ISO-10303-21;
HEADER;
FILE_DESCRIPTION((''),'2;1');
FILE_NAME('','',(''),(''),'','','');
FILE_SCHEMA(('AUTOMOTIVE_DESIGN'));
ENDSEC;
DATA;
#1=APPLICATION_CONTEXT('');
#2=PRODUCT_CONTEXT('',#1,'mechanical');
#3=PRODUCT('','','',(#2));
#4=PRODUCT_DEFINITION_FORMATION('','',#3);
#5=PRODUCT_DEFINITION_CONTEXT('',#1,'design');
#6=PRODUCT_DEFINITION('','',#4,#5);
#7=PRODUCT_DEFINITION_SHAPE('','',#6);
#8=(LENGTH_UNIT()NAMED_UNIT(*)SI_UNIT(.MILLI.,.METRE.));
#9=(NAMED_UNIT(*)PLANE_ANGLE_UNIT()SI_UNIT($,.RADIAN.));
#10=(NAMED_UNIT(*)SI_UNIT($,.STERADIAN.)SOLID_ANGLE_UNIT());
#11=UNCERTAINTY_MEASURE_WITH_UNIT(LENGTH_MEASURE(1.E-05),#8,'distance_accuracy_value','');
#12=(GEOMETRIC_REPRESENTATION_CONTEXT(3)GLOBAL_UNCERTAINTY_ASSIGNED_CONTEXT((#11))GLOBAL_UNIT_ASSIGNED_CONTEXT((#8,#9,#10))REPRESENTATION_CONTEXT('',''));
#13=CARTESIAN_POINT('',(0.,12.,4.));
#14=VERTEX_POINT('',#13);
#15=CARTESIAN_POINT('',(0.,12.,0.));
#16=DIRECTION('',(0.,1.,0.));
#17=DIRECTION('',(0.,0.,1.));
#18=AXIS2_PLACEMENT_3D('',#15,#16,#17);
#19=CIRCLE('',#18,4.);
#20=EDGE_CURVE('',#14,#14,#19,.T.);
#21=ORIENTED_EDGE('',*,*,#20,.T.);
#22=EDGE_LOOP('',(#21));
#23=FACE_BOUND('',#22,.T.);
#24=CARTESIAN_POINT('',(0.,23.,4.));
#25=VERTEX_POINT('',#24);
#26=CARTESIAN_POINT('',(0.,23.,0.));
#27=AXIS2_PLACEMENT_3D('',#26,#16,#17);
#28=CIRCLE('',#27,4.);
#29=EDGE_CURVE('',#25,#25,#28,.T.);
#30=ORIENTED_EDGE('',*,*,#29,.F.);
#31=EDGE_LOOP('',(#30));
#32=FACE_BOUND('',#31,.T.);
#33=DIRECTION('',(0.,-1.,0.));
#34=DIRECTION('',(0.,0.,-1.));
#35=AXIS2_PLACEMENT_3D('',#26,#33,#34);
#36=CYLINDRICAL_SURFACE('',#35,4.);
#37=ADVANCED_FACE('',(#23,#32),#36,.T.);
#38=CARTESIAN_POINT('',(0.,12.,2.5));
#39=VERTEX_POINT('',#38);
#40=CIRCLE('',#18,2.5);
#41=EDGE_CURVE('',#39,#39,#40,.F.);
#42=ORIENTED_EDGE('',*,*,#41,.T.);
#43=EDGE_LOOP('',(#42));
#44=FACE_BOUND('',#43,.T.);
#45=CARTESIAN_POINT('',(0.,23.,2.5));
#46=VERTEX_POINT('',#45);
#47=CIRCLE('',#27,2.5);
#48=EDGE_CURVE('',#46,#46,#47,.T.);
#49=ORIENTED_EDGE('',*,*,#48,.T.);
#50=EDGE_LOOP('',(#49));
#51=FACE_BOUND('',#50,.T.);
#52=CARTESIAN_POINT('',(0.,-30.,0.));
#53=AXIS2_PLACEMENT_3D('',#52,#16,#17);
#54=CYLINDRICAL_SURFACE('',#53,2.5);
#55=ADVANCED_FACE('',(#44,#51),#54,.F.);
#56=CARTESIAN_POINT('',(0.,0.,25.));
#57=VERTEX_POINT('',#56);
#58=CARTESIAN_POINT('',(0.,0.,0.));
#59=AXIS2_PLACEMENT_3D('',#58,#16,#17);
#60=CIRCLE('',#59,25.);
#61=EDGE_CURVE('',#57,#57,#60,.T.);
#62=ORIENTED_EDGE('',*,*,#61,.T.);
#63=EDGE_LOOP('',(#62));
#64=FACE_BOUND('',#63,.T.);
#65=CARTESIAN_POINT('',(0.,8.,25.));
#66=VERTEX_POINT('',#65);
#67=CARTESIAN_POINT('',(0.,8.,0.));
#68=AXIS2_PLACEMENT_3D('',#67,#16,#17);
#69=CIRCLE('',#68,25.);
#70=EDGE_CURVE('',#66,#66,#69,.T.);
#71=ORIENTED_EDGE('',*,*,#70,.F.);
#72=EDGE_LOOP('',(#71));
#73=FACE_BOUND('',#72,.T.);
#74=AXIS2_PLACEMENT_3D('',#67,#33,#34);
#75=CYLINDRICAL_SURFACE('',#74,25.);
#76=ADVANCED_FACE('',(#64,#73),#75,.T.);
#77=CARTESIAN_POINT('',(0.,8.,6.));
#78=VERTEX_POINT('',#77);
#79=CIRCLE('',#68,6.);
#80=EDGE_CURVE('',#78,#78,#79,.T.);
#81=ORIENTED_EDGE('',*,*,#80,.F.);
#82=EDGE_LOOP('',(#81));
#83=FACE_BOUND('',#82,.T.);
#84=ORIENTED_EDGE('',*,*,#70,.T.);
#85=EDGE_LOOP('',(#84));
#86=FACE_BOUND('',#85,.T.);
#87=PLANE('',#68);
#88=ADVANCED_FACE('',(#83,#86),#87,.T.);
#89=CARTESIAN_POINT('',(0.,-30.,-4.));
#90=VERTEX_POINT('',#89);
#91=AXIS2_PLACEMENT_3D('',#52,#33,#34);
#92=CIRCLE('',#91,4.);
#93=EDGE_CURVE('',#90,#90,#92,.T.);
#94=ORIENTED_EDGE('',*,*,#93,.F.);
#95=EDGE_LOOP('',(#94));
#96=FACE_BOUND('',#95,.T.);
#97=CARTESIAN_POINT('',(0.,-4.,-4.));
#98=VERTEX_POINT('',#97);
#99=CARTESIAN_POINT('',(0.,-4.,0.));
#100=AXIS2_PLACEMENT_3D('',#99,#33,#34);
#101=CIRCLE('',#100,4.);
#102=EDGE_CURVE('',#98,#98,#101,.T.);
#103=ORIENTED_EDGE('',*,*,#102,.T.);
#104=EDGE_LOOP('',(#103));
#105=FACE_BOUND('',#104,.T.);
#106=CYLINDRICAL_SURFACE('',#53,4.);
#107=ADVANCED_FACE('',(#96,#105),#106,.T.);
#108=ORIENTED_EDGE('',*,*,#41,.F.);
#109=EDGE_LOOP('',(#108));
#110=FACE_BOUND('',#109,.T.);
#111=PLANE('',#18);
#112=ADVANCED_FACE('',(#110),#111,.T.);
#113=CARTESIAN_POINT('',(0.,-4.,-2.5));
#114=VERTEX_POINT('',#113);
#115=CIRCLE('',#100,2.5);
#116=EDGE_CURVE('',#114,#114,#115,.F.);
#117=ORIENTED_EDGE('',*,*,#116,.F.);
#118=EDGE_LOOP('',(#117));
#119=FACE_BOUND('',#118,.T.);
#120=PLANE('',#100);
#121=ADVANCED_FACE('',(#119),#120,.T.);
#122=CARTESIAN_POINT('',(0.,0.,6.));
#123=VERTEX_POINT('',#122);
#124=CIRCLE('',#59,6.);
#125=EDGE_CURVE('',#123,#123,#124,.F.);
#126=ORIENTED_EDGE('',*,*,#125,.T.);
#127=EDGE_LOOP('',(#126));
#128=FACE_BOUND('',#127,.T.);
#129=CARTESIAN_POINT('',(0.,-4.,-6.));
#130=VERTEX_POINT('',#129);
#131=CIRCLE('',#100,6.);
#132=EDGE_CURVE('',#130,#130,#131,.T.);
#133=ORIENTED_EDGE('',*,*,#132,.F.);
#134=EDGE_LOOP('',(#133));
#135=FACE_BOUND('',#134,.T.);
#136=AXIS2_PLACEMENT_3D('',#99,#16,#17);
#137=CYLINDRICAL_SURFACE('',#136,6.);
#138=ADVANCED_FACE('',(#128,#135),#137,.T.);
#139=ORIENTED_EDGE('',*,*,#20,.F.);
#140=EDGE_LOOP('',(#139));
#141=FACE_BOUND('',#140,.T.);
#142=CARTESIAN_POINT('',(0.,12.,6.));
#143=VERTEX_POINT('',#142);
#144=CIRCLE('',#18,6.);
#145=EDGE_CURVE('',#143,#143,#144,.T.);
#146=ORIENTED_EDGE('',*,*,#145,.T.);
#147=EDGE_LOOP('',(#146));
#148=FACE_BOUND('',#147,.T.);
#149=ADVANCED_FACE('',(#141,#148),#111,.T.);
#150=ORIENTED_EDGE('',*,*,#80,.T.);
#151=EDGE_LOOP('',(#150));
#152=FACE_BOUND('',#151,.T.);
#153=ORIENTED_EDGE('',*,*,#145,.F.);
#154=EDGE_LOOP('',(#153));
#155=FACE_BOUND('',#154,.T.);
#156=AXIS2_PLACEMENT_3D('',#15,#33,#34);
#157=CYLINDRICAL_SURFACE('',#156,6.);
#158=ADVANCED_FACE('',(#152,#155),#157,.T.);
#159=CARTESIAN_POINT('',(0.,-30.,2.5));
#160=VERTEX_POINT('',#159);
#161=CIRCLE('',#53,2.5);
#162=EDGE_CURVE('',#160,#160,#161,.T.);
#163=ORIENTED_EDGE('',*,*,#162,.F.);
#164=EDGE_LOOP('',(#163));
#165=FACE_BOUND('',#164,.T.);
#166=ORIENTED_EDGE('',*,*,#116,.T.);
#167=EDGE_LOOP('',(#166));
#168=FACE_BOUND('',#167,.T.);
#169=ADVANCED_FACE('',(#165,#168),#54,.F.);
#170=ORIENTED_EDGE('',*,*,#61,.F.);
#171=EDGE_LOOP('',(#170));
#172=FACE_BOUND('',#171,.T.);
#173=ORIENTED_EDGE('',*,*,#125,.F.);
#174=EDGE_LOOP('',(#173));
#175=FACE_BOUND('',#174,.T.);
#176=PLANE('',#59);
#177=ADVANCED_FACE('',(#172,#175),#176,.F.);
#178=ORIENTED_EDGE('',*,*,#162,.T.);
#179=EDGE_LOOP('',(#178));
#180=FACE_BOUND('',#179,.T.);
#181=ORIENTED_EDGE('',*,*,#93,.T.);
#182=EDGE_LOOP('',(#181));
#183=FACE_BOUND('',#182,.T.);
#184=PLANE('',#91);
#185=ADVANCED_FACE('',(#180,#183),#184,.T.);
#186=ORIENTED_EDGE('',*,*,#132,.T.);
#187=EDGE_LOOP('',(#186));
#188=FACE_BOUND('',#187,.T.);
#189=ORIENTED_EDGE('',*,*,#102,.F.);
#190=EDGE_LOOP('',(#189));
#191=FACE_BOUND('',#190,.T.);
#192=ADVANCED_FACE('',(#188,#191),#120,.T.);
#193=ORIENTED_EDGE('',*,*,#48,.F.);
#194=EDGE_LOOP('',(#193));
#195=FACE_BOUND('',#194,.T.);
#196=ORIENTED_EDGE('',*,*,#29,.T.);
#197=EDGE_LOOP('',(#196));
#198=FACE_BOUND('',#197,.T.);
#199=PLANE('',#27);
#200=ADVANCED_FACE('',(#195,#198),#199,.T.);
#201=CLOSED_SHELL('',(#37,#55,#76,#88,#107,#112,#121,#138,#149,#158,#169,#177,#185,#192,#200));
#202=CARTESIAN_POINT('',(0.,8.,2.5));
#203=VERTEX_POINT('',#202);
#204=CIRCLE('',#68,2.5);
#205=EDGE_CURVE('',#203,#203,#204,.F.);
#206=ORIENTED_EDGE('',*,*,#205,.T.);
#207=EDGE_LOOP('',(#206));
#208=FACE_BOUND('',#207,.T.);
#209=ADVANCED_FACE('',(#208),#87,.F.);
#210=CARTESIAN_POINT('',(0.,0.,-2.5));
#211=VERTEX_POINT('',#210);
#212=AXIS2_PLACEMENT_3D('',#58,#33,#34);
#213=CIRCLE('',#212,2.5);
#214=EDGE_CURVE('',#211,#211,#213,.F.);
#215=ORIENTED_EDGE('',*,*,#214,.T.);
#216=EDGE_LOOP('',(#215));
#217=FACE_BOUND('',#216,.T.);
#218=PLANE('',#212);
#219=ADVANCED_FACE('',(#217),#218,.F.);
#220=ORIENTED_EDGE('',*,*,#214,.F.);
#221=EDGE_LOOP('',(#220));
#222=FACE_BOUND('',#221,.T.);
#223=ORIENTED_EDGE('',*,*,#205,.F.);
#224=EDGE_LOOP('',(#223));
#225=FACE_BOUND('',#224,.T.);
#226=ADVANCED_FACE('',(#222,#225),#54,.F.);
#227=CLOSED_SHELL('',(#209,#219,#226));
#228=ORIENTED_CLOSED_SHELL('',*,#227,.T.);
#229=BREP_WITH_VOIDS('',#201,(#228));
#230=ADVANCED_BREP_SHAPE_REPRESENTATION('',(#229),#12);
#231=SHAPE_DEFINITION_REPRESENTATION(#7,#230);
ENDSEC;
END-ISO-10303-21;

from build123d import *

# Parameters (mm, degrees)
SKETCH1_R               = 25
BOSS_EXTRUDE1_DEPTH     = 8
SKETCH2_R               = 4
BOSS_EXTRUDE2_DEPTH     = 15
BOSS_EXTRUDE3_START     = 30
SKETCH3_R               = 4
BOSS_EXTRUDE3_DEPTH     = 30
CUT_EXTRUDE1_DEPTH      = 64.710281745
CUT_EXTRUDE1_DEPTH_BACK = 64.710281745
SKETCH4_R               = 2.5
SKETCH5_R               = 6
BOSS_EXTRUDE4_DEPTH     = 4
BOSS_EXTRUDE5_START     = 4
SKETCH6_R               = 6
BOSS_EXTRUDE5_DEPTH     = 4


with BuildPart() as part:
    # Sketch1 → Boss-Extrude1 (new body)
    with BuildSketch(Plane(origin=(0, 0, 0), x_dir=(1, 0, 0), z_dir=(0, 1, 0))):
        with Locations(Location((0, 0, 0), (0, 0, 270))):
            Circle(SKETCH1_R)
    extrude(amount=BOSS_EXTRUDE1_DEPTH)

    # Sketch2 → Boss-Extrude2 (add)
    with BuildSketch(Plane(origin=(0, 8, 0), x_dir=(1, 0, 0), z_dir=(0, 1, 0))):
        with Locations(Location((0, 0, 0), (0, 0, 270))):
            Circle(SKETCH2_R)
    extrude(amount=BOSS_EXTRUDE2_DEPTH)

    # Sketch3 → Boss-Extrude3 (add)
    with BuildSketch(Plane.XZ.offset(BOSS_EXTRUDE3_START)):
        with Locations(Location((0, 0, 0), (0, 0, 90))):
            Circle(SKETCH3_R)
    extrude(amount=-BOSS_EXTRUDE3_DEPTH)

    # Sketch4 → Cut-Extrude1 (cut, two sides: drawn at the far end of the back side and taken through both)
    with BuildSketch(Plane(origin=(0, 23, 0), x_dir=(1, 0, 0), z_dir=(0, 1, 0)).offset(-CUT_EXTRUDE1_DEPTH_BACK)):
        with Locations(Location((0, 0, 0), (0, 0, 270))):
            Circle(SKETCH4_R)
    extrude(amount=CUT_EXTRUDE1_DEPTH + CUT_EXTRUDE1_DEPTH_BACK, mode=Mode.SUBTRACT)

    # Sketch5 → Boss-Extrude4 (add)
    with BuildSketch(Plane.XZ):
        with Locations(Location((0, 0, 0), (0, 0, 90))):
            Circle(SKETCH5_R)
    extrude(amount=BOSS_EXTRUDE4_DEPTH)

    # Sketch6 → Boss-Extrude5 (add)
    with BuildSketch(Plane(origin=(0, 8, 0), x_dir=(1, 0, 0), z_dir=(0, 1, 0)).offset(BOSS_EXTRUDE5_START)):
        with Locations(Location((0, 0, 0), (0, 0, 270))):
            Circle(SKETCH6_R)
    extrude(amount=-BOSS_EXTRUDE5_DEPTH)


solid = part.part
